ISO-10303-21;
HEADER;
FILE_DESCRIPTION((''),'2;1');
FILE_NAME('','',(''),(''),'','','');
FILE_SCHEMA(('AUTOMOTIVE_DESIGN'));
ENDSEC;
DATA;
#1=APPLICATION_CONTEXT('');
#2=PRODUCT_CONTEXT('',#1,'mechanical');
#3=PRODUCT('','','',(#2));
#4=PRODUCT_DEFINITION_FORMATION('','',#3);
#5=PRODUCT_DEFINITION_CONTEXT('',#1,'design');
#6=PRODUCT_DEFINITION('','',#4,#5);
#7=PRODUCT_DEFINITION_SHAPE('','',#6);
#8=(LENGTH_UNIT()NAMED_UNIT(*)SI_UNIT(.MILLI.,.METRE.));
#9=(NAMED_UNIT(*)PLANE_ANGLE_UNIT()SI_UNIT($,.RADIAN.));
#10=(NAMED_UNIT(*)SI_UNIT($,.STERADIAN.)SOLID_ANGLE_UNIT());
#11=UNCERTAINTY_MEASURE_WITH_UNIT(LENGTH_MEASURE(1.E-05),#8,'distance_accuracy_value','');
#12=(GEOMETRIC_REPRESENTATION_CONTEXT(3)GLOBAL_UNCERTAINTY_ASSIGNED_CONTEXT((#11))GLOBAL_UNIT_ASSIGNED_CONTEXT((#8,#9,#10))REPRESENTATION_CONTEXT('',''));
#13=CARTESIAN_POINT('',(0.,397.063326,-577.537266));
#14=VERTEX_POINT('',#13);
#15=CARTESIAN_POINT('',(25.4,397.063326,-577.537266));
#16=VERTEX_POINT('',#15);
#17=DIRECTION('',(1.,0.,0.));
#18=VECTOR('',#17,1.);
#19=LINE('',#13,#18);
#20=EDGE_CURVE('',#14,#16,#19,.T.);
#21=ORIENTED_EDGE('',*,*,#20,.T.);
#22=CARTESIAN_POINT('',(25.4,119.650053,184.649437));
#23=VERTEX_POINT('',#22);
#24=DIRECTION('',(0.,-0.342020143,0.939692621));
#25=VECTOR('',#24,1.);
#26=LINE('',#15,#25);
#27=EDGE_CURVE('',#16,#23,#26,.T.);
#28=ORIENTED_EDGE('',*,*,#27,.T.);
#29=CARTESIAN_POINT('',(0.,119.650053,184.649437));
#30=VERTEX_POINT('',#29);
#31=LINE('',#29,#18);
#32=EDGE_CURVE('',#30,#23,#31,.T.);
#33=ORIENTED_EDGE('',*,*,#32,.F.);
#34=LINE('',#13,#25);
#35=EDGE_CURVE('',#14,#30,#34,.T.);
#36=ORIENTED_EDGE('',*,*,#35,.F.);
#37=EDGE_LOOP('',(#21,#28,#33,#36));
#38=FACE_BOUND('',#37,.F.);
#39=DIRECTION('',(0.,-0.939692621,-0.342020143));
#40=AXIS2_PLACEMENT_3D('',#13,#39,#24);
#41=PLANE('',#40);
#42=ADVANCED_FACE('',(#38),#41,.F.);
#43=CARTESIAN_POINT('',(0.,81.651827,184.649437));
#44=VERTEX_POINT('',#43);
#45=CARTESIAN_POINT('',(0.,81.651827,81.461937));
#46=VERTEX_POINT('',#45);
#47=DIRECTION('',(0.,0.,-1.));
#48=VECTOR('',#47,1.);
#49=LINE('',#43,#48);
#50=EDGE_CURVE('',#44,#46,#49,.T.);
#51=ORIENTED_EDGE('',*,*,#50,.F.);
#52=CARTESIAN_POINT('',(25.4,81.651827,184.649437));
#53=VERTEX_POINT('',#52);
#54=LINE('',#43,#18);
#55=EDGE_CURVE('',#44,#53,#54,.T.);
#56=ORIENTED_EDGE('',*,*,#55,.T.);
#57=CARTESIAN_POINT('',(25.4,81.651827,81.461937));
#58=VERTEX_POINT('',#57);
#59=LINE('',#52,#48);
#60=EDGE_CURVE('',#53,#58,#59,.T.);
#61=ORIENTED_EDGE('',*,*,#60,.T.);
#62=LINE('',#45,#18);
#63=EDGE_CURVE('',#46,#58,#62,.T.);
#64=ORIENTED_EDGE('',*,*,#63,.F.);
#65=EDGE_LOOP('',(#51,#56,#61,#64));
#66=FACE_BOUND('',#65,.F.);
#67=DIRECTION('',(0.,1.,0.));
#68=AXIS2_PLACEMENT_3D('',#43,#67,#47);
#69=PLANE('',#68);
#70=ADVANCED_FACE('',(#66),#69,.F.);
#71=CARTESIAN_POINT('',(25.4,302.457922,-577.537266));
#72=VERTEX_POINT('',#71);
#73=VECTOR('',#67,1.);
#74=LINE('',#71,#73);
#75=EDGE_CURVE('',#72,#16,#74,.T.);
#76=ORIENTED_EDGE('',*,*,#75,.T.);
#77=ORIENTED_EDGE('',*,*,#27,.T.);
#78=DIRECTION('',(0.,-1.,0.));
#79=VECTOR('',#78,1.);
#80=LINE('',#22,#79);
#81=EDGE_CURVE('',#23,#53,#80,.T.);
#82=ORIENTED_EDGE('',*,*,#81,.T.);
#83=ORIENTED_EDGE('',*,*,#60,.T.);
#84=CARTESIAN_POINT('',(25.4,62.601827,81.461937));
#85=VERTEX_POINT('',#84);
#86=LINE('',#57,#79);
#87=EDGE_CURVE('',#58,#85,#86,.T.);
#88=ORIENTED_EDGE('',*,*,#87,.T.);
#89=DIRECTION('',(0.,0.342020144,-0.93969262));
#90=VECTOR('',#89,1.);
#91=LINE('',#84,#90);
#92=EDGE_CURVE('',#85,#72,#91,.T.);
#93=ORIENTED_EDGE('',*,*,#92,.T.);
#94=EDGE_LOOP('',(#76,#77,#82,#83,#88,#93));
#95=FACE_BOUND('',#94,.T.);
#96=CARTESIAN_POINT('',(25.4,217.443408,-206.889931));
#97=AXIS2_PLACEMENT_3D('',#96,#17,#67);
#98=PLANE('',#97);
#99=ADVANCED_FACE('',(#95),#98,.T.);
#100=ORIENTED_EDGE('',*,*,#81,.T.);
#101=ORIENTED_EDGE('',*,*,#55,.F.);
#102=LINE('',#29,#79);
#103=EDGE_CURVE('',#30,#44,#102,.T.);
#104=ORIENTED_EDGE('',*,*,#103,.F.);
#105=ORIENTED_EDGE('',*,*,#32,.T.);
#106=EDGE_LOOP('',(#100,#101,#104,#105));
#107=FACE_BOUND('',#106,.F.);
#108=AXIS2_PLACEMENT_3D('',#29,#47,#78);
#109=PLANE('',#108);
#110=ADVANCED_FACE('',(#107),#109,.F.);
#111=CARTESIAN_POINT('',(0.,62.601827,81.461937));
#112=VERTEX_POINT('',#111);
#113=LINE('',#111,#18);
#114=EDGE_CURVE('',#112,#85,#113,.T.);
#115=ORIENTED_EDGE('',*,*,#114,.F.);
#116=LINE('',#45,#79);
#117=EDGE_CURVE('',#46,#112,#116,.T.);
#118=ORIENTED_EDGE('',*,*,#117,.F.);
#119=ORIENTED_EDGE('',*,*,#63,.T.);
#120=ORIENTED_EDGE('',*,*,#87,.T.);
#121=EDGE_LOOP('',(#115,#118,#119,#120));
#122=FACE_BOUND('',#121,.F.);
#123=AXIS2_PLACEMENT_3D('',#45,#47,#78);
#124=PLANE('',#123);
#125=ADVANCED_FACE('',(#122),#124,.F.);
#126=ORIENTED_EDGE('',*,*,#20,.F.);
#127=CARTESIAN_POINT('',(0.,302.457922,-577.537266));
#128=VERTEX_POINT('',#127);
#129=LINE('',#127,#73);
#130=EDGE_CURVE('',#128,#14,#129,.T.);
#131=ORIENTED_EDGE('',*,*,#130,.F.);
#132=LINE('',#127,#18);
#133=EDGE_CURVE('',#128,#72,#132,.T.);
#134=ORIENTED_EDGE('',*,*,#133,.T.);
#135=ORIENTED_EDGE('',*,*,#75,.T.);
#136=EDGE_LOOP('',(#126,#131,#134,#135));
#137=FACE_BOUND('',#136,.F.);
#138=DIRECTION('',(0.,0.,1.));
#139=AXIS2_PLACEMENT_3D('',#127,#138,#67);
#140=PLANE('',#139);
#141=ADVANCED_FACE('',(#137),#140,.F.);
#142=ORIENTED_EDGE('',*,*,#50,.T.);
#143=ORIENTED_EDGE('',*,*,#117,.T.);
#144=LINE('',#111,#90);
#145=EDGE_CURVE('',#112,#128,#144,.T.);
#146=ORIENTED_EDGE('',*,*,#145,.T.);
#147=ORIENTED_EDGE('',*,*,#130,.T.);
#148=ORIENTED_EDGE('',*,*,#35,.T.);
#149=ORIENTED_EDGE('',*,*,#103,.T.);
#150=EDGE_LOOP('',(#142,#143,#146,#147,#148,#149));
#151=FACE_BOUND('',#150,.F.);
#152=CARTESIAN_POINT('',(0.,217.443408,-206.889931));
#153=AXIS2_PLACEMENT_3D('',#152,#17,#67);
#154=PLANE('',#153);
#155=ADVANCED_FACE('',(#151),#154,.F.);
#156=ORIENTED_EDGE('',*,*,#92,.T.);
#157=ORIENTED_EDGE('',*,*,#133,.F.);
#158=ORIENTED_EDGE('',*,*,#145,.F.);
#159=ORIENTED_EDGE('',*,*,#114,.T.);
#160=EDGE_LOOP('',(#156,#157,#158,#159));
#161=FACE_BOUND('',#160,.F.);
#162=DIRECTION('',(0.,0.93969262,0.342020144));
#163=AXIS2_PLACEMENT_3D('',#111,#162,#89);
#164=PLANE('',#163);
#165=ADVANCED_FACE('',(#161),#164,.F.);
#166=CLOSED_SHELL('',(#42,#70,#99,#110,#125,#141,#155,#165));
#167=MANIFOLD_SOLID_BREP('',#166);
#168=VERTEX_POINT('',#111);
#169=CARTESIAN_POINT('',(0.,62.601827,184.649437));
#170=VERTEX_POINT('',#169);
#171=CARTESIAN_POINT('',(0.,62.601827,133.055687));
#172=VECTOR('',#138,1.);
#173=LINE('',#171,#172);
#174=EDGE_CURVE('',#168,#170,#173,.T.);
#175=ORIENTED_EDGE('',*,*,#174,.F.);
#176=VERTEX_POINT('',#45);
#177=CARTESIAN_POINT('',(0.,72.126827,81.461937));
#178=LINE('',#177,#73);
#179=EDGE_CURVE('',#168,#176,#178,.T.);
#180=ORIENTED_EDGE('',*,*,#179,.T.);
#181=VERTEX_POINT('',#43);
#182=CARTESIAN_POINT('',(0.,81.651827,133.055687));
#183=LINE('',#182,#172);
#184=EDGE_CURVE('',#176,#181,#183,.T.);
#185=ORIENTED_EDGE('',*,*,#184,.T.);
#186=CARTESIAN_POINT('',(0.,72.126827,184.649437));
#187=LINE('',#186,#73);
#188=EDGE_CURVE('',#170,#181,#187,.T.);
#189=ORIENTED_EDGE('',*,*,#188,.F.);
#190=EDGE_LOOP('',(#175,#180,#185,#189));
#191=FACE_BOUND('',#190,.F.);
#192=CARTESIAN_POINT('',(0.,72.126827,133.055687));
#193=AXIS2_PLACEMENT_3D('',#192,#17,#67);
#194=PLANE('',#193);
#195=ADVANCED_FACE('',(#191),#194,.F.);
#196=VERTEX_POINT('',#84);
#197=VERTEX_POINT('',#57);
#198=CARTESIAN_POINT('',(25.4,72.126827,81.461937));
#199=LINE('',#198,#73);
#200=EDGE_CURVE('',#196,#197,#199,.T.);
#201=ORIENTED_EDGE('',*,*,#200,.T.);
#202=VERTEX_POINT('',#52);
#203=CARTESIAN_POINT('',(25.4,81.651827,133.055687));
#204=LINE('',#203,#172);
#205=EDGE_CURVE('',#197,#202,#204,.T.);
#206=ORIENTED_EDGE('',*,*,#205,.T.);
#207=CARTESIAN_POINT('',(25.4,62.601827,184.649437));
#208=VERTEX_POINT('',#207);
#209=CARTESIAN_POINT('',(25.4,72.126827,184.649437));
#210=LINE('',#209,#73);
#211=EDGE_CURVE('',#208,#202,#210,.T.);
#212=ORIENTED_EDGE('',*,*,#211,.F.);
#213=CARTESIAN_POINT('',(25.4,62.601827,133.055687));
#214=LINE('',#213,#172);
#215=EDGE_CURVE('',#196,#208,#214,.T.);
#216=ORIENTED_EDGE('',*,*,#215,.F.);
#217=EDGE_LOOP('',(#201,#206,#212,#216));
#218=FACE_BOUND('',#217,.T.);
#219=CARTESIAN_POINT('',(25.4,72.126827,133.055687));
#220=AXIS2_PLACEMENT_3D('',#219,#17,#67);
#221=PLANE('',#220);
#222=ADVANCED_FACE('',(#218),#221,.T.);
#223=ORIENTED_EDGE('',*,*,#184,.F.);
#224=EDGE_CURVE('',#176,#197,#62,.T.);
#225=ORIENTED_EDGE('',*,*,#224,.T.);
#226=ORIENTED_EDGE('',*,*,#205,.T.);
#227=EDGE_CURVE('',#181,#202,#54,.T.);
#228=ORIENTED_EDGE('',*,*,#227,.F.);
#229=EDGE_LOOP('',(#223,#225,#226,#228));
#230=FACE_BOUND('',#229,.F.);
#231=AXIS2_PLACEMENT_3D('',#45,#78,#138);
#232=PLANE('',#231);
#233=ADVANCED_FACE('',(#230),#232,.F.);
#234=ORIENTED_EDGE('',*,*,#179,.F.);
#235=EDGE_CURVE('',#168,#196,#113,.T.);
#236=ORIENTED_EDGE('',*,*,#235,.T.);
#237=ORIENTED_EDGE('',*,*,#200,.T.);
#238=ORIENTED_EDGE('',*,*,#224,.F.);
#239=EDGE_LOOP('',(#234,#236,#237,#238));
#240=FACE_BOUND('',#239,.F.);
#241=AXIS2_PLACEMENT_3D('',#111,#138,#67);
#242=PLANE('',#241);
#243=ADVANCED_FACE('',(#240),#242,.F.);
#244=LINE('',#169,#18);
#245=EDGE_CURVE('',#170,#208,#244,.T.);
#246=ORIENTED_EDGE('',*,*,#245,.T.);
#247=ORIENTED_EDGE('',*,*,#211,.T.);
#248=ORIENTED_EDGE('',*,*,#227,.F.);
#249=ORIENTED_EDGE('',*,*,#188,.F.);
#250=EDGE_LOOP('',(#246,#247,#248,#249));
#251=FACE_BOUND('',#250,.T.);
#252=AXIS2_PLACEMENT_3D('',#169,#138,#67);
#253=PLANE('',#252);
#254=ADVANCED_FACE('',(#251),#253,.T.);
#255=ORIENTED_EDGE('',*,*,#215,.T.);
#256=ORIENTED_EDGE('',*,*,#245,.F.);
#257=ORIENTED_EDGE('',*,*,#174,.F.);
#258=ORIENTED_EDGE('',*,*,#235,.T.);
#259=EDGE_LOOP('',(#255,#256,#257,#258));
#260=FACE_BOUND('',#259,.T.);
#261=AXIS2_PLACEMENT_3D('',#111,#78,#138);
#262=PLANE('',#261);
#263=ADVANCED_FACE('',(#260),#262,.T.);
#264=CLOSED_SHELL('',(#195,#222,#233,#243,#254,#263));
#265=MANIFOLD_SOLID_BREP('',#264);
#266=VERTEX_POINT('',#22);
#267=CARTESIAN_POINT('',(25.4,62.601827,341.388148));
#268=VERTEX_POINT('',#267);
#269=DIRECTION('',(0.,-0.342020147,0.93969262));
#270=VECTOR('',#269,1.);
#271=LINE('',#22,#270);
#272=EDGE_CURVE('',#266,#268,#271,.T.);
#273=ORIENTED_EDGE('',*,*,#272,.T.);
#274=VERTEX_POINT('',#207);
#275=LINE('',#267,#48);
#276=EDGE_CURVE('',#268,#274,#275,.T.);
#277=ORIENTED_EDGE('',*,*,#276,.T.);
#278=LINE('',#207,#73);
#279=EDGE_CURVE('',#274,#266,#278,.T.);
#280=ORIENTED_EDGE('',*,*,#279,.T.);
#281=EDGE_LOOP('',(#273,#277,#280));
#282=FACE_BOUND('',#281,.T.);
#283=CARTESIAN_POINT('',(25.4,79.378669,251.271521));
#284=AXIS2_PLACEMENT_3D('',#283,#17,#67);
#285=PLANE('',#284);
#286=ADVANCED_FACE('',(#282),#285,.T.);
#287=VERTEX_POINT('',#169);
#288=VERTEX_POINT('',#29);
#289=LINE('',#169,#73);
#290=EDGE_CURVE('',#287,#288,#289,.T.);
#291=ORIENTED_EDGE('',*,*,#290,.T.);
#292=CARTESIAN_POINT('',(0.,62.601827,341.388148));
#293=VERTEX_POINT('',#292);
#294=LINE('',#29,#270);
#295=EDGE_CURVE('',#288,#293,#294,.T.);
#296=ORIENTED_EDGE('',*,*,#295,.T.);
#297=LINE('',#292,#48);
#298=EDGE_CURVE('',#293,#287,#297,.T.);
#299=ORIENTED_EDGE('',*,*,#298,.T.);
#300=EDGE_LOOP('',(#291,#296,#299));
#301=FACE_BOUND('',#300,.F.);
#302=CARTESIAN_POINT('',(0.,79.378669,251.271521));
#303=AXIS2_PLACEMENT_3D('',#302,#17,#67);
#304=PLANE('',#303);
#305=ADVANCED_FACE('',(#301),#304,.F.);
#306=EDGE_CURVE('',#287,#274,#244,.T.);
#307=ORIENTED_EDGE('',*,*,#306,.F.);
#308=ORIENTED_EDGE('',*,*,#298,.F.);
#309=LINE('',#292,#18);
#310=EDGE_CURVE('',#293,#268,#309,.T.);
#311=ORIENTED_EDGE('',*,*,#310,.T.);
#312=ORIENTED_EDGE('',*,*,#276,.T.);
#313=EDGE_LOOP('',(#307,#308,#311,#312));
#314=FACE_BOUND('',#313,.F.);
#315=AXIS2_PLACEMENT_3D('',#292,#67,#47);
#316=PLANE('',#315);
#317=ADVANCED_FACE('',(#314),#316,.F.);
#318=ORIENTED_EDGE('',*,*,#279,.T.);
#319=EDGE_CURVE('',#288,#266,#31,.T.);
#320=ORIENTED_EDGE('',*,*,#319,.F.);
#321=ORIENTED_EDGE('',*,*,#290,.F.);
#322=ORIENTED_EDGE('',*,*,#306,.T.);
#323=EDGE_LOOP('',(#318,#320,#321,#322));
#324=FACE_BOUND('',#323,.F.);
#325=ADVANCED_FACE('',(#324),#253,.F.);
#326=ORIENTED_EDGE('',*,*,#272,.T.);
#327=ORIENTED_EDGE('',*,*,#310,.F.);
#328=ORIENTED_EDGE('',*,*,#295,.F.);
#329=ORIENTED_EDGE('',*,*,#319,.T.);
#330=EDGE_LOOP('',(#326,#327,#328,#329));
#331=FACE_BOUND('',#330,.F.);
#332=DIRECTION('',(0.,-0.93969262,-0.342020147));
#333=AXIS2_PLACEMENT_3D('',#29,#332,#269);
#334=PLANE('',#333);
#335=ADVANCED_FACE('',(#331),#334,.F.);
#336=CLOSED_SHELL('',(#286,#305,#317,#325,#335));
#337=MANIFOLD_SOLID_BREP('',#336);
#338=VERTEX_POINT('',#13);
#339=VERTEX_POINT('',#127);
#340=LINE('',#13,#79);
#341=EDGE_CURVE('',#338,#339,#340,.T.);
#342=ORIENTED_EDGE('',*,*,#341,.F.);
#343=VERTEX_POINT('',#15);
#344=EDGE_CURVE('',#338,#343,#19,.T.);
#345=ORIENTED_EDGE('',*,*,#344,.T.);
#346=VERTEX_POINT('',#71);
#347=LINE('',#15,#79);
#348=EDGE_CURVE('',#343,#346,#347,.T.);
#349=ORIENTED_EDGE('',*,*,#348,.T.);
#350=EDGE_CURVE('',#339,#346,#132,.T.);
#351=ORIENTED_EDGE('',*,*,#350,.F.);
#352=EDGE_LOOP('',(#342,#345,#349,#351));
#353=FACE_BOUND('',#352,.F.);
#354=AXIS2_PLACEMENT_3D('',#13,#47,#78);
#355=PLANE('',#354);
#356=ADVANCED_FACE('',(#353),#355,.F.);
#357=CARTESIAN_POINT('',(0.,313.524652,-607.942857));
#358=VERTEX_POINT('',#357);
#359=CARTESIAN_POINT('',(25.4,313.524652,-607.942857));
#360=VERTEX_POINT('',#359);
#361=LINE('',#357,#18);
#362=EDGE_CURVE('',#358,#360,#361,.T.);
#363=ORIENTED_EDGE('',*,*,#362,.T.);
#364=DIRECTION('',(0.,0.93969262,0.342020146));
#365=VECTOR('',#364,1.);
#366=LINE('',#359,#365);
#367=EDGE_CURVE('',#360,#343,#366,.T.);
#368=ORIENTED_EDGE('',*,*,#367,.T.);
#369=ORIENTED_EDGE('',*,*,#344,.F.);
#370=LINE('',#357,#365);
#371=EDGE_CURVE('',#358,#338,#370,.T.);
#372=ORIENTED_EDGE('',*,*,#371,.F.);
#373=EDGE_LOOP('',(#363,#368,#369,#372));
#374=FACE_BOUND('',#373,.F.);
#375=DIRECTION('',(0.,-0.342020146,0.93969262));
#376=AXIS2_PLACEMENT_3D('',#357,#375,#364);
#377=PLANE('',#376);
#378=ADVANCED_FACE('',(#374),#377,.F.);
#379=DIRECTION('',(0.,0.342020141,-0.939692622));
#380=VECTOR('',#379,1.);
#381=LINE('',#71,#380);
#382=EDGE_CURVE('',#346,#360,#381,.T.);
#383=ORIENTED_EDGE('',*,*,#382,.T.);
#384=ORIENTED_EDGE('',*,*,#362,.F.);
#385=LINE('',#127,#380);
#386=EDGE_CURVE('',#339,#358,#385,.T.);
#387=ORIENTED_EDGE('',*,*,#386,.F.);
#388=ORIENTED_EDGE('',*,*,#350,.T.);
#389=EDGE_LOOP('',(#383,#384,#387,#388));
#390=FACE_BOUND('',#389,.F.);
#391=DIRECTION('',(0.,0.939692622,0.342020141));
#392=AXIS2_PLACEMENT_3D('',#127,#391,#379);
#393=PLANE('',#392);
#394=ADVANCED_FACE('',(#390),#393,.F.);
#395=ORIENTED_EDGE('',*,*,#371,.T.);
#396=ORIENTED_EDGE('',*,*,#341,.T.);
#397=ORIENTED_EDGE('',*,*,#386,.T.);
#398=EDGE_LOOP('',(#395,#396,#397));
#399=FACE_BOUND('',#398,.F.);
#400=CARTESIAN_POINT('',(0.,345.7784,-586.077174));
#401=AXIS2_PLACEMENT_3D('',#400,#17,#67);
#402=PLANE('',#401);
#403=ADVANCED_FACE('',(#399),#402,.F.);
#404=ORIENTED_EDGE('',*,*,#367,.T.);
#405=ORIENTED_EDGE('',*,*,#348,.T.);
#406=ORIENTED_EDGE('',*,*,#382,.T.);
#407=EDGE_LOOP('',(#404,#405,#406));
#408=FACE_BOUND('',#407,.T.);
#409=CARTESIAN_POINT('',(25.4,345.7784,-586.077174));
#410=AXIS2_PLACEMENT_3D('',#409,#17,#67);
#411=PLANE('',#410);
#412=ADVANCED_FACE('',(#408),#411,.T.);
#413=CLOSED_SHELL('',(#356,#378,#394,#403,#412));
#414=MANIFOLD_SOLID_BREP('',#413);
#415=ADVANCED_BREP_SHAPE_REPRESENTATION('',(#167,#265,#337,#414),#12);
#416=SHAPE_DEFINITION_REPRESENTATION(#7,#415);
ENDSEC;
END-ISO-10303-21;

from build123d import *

# Parameters (mm, degrees)
F1_DEPTH = 25.4
F2_DEPTH = 25.4
F0_W     = 19.05
F0_H     = 103.1875
F3_DEPTH = 25.4
F4_DEPTH = 25.4


with BuildPart() as f1:
    # F0 (on Right) → F1 (new body)
    with BuildSketch(Plane.YZ):
        Polygon((62.601827, 341.388148), (62.601827, 184.649437), (81.651827, 184.649437), (119.650053, 184.649437), align=None)
    extrude(amount=F1_DEPTH)


with BuildPart() as f2:
    # F0 (on Right) → F2 (new body)
    with BuildSketch(Plane.YZ):
        Polygon((81.651827, 81.461937), (62.601827, 81.461937), (302.457922, -577.537266), (397.063326, -577.537266), (119.650053, 184.649437), (81.651827, 184.649437), align=None)
    extrude(amount=F2_DEPTH)


with BuildPart() as f3:
    # F0 (on Right) → F3 (new body)
    with BuildSketch(Plane.YZ):
        with Locations((72.126827, 133.055687)):
            Rectangle(F0_W, F0_H)
    extrude(amount=F3_DEPTH)


with BuildPart() as f4:
    # F0 (on Right) → F4 (new body)
    with BuildSketch(Plane.YZ):
        Polygon((397.063326, -577.537266), (302.457922, -577.537266), (313.524652, -607.942857), align=None)
    extrude(amount=F4_DEPTH)


solid = Compound([f1.part, f2.part, f3.part, f4.part])
